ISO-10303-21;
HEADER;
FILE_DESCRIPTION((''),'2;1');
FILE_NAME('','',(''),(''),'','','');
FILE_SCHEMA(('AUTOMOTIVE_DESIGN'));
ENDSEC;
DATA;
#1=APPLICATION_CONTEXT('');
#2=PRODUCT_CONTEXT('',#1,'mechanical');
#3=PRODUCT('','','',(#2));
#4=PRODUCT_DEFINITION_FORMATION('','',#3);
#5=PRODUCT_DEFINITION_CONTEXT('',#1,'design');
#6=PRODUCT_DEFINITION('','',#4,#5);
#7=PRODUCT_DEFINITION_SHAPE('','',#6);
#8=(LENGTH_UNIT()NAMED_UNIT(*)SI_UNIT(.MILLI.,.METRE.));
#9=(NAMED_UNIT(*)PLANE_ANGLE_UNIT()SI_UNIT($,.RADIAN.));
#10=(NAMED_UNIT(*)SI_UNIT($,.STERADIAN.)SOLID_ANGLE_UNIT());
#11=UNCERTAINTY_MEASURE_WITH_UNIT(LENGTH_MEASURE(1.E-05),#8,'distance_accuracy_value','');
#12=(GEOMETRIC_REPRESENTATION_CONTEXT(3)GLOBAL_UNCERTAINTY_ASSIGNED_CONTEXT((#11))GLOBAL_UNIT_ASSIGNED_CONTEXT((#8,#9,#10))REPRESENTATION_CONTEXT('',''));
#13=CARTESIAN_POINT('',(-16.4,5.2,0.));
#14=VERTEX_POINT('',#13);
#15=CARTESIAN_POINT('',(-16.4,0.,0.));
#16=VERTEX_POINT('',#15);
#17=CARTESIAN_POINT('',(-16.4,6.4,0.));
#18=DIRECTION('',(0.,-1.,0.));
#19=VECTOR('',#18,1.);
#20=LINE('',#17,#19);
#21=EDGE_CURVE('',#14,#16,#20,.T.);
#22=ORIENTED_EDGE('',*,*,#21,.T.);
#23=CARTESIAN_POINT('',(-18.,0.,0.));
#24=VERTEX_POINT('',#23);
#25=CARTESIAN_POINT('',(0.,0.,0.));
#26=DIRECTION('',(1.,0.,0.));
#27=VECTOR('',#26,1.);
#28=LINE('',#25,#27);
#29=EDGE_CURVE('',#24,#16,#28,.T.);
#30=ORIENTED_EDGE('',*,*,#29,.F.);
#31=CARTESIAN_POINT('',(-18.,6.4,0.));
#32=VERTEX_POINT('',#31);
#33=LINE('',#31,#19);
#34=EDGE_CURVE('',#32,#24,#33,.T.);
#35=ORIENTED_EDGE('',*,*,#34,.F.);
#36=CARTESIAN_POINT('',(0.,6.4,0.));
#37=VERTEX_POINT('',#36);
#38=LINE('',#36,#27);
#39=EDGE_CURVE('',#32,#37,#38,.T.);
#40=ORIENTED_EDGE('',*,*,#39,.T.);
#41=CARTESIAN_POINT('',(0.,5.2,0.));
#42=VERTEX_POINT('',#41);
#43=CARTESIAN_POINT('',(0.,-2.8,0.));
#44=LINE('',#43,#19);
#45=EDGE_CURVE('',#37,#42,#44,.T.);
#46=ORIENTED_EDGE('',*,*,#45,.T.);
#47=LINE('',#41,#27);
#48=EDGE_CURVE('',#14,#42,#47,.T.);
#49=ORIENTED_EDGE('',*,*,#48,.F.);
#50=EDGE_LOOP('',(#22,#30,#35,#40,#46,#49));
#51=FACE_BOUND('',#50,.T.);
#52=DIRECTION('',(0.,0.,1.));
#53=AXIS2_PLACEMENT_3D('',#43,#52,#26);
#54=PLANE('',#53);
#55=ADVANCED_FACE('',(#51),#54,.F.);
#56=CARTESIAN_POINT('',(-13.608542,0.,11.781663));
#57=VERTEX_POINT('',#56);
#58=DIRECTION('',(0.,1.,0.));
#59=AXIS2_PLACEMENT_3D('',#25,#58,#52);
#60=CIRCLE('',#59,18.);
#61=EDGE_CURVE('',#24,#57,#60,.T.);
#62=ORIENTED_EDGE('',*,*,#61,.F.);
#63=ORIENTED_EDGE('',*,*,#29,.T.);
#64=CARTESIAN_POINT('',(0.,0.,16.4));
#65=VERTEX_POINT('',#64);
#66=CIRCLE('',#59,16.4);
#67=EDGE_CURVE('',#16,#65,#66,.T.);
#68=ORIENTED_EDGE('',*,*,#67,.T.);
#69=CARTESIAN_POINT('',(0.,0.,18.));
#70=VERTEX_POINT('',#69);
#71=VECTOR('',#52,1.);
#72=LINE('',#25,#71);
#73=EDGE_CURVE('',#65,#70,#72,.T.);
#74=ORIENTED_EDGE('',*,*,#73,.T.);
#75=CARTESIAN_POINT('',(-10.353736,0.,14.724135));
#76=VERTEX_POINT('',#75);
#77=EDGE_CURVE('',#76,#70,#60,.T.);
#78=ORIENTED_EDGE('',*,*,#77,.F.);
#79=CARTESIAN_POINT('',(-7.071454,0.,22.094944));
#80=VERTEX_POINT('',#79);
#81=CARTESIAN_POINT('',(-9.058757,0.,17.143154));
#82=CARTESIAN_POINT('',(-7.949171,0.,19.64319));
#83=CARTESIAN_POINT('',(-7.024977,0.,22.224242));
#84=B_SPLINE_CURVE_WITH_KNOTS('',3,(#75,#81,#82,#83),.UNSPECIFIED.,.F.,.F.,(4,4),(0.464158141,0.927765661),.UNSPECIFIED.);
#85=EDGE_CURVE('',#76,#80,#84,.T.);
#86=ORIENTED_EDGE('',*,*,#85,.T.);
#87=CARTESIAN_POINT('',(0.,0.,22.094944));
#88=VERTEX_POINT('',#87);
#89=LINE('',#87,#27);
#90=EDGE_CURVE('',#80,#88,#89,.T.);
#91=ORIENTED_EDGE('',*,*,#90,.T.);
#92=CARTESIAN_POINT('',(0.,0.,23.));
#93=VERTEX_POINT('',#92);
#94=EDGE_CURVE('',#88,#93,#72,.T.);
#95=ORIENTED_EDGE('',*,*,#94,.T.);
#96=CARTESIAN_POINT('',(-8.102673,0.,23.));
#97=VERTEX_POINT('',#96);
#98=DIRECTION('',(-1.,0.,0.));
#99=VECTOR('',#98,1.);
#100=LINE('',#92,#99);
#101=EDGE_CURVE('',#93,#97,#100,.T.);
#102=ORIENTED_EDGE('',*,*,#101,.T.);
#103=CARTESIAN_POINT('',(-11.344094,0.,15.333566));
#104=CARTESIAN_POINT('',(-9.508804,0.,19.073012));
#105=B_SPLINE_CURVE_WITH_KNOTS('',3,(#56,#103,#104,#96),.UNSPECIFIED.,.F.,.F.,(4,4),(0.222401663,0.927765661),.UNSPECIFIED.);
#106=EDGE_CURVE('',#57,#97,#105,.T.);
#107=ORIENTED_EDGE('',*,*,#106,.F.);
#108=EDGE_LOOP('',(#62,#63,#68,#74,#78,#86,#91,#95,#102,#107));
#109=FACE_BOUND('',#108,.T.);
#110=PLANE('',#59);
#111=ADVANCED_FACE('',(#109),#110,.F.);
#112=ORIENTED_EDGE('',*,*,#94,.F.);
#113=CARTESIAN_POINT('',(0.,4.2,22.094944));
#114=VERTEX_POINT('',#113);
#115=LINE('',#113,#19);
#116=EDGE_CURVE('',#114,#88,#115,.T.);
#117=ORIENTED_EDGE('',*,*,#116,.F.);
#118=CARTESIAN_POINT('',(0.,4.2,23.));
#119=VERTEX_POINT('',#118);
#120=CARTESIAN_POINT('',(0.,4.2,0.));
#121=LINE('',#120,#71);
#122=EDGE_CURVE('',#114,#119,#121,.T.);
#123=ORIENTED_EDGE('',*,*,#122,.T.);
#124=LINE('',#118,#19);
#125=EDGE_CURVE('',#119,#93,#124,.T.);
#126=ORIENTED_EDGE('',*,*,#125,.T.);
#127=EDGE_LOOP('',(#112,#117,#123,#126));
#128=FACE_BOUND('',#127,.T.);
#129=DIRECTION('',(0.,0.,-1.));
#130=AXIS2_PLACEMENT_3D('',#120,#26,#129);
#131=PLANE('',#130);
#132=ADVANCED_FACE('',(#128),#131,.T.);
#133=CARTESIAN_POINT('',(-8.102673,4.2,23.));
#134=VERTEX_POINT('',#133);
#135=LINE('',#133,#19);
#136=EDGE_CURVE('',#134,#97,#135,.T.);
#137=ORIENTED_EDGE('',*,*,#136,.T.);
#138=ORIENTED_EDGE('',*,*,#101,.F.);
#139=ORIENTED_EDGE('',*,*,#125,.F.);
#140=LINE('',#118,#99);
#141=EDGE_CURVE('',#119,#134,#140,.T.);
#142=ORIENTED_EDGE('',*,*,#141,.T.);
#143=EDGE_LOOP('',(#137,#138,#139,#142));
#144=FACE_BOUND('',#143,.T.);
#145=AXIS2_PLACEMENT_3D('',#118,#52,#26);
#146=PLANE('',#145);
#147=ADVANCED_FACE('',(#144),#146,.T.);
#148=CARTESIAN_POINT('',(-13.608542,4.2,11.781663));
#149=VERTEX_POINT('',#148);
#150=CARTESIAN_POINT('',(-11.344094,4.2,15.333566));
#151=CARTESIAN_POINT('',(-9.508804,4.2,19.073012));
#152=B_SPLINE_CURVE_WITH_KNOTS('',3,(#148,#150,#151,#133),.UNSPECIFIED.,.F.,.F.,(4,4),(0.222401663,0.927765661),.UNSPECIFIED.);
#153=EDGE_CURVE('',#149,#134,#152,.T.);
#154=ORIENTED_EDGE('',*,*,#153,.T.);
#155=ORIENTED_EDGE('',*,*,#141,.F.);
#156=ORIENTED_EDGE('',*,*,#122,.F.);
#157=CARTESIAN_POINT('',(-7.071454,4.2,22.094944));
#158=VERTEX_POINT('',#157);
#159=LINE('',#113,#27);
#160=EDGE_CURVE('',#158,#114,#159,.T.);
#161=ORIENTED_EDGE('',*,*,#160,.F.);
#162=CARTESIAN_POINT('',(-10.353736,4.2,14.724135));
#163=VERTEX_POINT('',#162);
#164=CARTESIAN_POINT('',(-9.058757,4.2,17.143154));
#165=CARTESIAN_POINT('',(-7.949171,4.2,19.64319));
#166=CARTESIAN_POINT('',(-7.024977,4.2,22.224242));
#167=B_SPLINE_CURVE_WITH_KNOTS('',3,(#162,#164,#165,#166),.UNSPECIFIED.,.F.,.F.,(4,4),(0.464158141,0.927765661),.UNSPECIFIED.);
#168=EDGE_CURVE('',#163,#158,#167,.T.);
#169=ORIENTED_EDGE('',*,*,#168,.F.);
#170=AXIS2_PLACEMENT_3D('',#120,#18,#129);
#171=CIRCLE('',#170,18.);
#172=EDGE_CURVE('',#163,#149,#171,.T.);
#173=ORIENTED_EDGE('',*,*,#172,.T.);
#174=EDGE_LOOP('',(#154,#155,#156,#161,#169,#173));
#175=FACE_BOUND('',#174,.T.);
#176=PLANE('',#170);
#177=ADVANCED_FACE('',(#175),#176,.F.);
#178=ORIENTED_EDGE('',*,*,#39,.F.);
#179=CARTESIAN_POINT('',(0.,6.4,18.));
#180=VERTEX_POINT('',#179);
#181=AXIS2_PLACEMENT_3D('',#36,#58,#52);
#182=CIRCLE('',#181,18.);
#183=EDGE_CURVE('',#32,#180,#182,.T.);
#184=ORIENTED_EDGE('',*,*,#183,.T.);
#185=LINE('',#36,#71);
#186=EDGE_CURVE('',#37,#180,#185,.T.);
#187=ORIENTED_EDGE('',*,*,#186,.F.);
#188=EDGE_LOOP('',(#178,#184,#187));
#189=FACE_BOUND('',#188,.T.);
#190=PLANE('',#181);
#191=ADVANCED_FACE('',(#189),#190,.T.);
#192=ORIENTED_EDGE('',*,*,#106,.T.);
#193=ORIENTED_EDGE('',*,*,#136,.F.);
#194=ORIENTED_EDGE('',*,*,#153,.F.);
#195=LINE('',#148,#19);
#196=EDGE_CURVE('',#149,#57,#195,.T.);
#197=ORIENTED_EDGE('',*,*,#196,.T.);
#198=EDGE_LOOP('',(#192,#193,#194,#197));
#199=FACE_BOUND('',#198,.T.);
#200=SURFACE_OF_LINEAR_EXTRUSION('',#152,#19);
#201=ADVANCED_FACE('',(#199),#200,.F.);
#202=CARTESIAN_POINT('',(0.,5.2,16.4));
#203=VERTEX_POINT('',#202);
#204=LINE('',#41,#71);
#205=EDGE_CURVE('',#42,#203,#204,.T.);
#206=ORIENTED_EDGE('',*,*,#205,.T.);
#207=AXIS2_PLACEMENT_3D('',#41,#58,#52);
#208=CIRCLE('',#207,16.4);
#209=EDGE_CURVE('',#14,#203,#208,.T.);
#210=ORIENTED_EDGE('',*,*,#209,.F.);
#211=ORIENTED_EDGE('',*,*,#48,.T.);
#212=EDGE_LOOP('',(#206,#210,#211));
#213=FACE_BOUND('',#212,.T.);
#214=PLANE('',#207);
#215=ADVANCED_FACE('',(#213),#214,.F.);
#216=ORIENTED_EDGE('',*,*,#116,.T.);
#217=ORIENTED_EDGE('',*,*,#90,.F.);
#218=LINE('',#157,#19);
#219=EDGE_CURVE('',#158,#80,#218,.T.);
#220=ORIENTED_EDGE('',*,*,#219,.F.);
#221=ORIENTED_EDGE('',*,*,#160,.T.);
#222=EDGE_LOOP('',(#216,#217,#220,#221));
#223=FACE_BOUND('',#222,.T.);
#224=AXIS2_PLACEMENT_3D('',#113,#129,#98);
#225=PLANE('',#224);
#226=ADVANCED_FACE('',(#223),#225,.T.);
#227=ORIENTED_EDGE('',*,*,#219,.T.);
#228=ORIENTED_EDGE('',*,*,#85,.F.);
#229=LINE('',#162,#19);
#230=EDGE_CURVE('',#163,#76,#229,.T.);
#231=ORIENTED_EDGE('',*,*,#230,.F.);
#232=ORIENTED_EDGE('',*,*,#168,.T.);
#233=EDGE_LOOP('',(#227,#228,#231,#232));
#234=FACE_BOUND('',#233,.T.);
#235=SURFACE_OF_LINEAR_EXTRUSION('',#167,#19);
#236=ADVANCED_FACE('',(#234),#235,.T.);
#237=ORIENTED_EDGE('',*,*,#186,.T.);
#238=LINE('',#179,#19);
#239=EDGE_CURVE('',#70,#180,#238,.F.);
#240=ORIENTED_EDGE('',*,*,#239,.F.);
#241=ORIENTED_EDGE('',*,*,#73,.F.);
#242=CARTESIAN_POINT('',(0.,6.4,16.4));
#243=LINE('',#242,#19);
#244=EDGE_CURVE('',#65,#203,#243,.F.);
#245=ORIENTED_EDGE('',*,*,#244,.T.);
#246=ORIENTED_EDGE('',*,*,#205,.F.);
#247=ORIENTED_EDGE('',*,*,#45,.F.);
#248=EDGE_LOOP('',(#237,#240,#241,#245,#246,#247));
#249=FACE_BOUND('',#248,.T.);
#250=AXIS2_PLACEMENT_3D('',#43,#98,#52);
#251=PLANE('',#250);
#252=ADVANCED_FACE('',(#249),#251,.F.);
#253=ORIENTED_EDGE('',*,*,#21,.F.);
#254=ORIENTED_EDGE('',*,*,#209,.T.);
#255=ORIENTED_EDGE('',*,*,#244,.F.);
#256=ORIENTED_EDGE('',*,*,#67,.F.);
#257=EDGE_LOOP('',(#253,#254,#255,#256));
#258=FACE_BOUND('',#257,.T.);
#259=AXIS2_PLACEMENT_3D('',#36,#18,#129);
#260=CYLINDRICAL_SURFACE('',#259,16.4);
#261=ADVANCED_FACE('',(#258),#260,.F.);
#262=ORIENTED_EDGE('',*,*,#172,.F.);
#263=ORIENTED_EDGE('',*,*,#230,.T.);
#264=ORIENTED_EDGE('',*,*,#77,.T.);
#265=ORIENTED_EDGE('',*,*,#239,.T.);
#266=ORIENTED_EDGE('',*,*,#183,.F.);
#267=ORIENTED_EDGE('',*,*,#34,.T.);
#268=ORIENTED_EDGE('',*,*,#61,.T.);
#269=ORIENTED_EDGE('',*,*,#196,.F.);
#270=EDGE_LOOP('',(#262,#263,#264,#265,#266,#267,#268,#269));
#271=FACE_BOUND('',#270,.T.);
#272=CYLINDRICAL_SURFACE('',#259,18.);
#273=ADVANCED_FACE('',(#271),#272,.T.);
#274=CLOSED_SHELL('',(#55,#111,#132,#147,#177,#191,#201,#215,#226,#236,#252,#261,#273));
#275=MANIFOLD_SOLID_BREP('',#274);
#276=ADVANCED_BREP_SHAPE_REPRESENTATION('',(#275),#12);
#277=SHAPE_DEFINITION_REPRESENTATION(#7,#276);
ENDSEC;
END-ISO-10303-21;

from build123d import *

# Parameters (mm, degrees)
SKETCH1_R           = 18
SKETCH1_R_2         = 16.4
BOSS_EXTRUDE1_DEPTH = 6.4
SKETCH2_R           = 16.4
BOSS_EXTRUDE2_DEPTH = 1.2
SKETCH3_W           = 28.944907734
SKETCH3_H           = 19.372936664
SKETCH3_W_2         = 25.830582219
CUT_EXTRUDE1_DEPTH  = 9.2
SKETCH4_W           = 21.729498485
SKETCH4_H           = 20.961841185
CUT_EXTRUDE2_DEPTH  = 9.2
BOSS_EXTRUDE3_DEPTH = 4.2


with BuildPart() as part:
    # Sketch1 → Boss-Extrude1 (new body)
    with BuildSketch(Plane(origin=(0, 0, 0), x_dir=(1, 0, 0), z_dir=(0, 1, 0))):
        Circle(SKETCH1_R)
        Circle(SKETCH1_R_2, mode=Mode.SUBTRACT)
    extrude(amount=BOSS_EXTRUDE1_DEPTH)

    # Sketch2 → Boss-Extrude2 (add)
    with BuildSketch(Plane(origin=(0, 6.4, 0), x_dir=(1, 0, 0), z_dir=(0, 1, 0))):
        Circle(SKETCH2_R)
    extrude(amount=-BOSS_EXTRUDE2_DEPTH)

    # Sketch3 → Cut-Extrude1 (cut)
    with BuildSketch(Plane(origin=(0, 6.4, 0), x_dir=(1, 0, 0), z_dir=(0, 1, 0))):
        with Locations((-14.472453867, 9.686468332)):
            Rectangle(SKETCH3_W, SKETCH3_H)
        with Locations((12.91529111, 9.686468332)):
            Rectangle(SKETCH3_W_2, SKETCH3_H)
    extrude(amount=-CUT_EXTRUDE1_DEPTH, mode=Mode.SUBTRACT)

    # Sketch4 → Cut-Extrude2 (cut)
    with BuildSketch(Plane(origin=(0, 6.4, 0), x_dir=(1, 0, 0), z_dir=(0, 1, 0))):
        with Locations((10.864749243, -10.480920593)):
            Rectangle(SKETCH4_W, SKETCH4_H)
    extrude(amount=-CUT_EXTRUDE2_DEPTH, mode=Mode.SUBTRACT)

    # Sketch7 → Boss-Extrude3 (add)
    with BuildSketch(Plane.XZ):
        with BuildLine():
            Line((-7.071454056, 22.094943573), (0, 22.094943573))
            Line((0, 22.094943573), (0, 23))
            Line((0, 23), (-8.102673091, 23))
            add(Edge.make_bspline(
                [(-13.608541935, 11.781663143), (-11.344094103, 15.333566486), (-9.508804488, 19.073012106), (-8.102673091, 23)],
                knots=[0.222401663, 0.222401663, 0.222401663, 0.222401663, 0.927765661, 0.927765661, 0.927765661, 0.927765661], degree=3))
            ThreePointArc((-13.608541935, 11.781663143), (-12.071131769, 13.352444638), (-10.353735644, 14.724135228))
            add(Edge.make_bspline(
                [(-10.353735644, 14.724135228), (-9.080392431, 17.10273932), (-7.986298568, 19.559675436), (-7.071454056, 22.094943573)],
                knots=[0.464158141, 0.464158141, 0.464158141, 0.464158141, 0.920020117, 0.920020117, 0.920020117, 0.920020117], degree=3))
        make_face()
    extrude(amount=-BOSS_EXTRUDE3_DEPTH)


solid = part.part
